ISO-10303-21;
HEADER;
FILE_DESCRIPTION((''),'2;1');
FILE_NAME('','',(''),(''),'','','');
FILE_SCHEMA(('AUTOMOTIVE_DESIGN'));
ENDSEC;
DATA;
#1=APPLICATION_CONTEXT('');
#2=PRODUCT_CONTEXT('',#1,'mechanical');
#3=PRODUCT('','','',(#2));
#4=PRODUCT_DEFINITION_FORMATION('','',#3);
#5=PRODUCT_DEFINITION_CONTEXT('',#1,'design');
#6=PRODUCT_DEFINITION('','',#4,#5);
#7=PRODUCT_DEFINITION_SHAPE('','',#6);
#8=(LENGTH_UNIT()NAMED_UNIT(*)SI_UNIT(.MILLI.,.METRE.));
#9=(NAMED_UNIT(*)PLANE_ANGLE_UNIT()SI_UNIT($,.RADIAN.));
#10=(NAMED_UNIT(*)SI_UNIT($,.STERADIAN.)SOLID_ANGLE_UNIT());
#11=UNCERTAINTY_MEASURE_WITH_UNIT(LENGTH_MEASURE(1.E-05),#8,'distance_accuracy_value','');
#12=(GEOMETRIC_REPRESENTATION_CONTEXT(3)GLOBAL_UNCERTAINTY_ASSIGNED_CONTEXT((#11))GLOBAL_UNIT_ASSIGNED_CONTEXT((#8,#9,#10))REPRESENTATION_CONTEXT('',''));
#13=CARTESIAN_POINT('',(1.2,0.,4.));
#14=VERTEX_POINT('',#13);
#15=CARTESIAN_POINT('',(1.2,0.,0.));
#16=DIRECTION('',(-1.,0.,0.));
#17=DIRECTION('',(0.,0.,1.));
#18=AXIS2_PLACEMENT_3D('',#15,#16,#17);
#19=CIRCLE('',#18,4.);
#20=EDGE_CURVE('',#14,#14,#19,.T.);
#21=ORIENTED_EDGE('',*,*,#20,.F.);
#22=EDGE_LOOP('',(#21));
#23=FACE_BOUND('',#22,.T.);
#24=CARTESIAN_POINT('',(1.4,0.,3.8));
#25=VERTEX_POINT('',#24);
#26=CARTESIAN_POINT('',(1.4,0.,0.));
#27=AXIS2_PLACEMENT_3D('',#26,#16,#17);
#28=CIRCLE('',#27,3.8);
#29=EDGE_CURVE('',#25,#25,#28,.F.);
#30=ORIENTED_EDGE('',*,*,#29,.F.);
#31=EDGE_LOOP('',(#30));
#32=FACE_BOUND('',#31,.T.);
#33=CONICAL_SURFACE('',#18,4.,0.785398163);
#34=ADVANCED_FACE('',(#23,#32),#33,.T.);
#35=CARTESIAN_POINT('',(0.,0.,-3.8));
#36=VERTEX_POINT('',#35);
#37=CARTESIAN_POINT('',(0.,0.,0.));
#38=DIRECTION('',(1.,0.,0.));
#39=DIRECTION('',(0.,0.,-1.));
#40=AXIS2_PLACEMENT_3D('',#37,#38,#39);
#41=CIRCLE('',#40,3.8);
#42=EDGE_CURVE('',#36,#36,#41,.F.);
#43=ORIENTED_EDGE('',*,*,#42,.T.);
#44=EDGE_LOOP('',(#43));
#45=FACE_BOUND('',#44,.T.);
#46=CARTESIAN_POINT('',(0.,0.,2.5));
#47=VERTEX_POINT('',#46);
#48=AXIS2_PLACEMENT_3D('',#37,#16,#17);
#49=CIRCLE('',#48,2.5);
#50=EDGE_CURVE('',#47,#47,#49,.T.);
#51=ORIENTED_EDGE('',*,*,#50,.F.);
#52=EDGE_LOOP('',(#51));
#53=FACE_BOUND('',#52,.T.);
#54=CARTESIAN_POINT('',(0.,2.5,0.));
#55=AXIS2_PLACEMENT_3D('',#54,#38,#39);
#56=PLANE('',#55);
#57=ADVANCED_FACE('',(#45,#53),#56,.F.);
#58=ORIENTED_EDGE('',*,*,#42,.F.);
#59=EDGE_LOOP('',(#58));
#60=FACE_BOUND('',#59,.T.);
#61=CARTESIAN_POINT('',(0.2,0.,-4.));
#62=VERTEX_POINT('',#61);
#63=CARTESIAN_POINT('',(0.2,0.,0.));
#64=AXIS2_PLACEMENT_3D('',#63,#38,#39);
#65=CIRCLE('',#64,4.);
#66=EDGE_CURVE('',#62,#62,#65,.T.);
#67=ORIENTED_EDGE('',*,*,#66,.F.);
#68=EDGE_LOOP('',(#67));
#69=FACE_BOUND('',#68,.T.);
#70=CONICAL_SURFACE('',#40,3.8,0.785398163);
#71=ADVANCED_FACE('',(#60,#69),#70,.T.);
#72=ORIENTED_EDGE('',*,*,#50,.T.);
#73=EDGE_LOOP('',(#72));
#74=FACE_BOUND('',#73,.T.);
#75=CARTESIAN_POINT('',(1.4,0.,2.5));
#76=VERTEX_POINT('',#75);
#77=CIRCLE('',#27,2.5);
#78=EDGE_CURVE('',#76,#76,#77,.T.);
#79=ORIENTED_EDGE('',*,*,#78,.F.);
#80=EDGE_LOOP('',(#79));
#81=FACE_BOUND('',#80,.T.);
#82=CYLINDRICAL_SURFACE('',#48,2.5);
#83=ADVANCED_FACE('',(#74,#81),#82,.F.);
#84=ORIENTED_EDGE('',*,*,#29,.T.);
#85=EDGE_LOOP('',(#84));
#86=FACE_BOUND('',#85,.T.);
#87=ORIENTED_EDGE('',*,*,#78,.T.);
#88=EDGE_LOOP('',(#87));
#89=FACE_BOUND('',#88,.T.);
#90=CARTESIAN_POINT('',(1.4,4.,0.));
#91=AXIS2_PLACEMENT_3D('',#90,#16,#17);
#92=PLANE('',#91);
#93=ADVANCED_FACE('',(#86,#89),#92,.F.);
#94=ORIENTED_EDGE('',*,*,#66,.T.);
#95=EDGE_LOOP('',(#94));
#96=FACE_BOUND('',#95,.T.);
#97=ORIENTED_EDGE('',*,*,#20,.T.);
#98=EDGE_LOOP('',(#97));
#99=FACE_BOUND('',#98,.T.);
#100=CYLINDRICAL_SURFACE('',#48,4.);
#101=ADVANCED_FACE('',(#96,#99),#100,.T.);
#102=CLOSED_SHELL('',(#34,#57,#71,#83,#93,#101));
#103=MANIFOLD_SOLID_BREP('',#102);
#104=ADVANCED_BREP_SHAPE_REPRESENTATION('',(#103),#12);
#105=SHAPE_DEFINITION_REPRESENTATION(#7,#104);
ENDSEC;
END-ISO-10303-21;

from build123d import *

# Parameters (mm, degrees)
SKETCH1_W     = 1.4
SKETCH1_H     = 1.5
CHAMFER1_SIZE = 0.2


with BuildPart() as part:
    # Sketch1 → Revolve1 (revolve)
    with BuildSketch(Plane.XY, mode=Mode.PRIVATE) as revolve1_sk:
        with Locations((0.7, 3.25)):
            Rectangle(SKETCH1_W, SKETCH1_H)
    revolve(revolve1_sk.sketch.rotate(Axis((0, 0, 0), (1, 0, 0)), 90), axis=Axis((0, 0, 0), (1, 0, 0)))

    # Chamfer1
    chamfer1_edges = [part.edges().sort_by_distance(p)[0] for p in [
        (1.4, 0, -4),
        (0, 0, -4),
    ]]
    chamfer(chamfer1_edges, length=CHAMFER1_SIZE)


solid = part.part
